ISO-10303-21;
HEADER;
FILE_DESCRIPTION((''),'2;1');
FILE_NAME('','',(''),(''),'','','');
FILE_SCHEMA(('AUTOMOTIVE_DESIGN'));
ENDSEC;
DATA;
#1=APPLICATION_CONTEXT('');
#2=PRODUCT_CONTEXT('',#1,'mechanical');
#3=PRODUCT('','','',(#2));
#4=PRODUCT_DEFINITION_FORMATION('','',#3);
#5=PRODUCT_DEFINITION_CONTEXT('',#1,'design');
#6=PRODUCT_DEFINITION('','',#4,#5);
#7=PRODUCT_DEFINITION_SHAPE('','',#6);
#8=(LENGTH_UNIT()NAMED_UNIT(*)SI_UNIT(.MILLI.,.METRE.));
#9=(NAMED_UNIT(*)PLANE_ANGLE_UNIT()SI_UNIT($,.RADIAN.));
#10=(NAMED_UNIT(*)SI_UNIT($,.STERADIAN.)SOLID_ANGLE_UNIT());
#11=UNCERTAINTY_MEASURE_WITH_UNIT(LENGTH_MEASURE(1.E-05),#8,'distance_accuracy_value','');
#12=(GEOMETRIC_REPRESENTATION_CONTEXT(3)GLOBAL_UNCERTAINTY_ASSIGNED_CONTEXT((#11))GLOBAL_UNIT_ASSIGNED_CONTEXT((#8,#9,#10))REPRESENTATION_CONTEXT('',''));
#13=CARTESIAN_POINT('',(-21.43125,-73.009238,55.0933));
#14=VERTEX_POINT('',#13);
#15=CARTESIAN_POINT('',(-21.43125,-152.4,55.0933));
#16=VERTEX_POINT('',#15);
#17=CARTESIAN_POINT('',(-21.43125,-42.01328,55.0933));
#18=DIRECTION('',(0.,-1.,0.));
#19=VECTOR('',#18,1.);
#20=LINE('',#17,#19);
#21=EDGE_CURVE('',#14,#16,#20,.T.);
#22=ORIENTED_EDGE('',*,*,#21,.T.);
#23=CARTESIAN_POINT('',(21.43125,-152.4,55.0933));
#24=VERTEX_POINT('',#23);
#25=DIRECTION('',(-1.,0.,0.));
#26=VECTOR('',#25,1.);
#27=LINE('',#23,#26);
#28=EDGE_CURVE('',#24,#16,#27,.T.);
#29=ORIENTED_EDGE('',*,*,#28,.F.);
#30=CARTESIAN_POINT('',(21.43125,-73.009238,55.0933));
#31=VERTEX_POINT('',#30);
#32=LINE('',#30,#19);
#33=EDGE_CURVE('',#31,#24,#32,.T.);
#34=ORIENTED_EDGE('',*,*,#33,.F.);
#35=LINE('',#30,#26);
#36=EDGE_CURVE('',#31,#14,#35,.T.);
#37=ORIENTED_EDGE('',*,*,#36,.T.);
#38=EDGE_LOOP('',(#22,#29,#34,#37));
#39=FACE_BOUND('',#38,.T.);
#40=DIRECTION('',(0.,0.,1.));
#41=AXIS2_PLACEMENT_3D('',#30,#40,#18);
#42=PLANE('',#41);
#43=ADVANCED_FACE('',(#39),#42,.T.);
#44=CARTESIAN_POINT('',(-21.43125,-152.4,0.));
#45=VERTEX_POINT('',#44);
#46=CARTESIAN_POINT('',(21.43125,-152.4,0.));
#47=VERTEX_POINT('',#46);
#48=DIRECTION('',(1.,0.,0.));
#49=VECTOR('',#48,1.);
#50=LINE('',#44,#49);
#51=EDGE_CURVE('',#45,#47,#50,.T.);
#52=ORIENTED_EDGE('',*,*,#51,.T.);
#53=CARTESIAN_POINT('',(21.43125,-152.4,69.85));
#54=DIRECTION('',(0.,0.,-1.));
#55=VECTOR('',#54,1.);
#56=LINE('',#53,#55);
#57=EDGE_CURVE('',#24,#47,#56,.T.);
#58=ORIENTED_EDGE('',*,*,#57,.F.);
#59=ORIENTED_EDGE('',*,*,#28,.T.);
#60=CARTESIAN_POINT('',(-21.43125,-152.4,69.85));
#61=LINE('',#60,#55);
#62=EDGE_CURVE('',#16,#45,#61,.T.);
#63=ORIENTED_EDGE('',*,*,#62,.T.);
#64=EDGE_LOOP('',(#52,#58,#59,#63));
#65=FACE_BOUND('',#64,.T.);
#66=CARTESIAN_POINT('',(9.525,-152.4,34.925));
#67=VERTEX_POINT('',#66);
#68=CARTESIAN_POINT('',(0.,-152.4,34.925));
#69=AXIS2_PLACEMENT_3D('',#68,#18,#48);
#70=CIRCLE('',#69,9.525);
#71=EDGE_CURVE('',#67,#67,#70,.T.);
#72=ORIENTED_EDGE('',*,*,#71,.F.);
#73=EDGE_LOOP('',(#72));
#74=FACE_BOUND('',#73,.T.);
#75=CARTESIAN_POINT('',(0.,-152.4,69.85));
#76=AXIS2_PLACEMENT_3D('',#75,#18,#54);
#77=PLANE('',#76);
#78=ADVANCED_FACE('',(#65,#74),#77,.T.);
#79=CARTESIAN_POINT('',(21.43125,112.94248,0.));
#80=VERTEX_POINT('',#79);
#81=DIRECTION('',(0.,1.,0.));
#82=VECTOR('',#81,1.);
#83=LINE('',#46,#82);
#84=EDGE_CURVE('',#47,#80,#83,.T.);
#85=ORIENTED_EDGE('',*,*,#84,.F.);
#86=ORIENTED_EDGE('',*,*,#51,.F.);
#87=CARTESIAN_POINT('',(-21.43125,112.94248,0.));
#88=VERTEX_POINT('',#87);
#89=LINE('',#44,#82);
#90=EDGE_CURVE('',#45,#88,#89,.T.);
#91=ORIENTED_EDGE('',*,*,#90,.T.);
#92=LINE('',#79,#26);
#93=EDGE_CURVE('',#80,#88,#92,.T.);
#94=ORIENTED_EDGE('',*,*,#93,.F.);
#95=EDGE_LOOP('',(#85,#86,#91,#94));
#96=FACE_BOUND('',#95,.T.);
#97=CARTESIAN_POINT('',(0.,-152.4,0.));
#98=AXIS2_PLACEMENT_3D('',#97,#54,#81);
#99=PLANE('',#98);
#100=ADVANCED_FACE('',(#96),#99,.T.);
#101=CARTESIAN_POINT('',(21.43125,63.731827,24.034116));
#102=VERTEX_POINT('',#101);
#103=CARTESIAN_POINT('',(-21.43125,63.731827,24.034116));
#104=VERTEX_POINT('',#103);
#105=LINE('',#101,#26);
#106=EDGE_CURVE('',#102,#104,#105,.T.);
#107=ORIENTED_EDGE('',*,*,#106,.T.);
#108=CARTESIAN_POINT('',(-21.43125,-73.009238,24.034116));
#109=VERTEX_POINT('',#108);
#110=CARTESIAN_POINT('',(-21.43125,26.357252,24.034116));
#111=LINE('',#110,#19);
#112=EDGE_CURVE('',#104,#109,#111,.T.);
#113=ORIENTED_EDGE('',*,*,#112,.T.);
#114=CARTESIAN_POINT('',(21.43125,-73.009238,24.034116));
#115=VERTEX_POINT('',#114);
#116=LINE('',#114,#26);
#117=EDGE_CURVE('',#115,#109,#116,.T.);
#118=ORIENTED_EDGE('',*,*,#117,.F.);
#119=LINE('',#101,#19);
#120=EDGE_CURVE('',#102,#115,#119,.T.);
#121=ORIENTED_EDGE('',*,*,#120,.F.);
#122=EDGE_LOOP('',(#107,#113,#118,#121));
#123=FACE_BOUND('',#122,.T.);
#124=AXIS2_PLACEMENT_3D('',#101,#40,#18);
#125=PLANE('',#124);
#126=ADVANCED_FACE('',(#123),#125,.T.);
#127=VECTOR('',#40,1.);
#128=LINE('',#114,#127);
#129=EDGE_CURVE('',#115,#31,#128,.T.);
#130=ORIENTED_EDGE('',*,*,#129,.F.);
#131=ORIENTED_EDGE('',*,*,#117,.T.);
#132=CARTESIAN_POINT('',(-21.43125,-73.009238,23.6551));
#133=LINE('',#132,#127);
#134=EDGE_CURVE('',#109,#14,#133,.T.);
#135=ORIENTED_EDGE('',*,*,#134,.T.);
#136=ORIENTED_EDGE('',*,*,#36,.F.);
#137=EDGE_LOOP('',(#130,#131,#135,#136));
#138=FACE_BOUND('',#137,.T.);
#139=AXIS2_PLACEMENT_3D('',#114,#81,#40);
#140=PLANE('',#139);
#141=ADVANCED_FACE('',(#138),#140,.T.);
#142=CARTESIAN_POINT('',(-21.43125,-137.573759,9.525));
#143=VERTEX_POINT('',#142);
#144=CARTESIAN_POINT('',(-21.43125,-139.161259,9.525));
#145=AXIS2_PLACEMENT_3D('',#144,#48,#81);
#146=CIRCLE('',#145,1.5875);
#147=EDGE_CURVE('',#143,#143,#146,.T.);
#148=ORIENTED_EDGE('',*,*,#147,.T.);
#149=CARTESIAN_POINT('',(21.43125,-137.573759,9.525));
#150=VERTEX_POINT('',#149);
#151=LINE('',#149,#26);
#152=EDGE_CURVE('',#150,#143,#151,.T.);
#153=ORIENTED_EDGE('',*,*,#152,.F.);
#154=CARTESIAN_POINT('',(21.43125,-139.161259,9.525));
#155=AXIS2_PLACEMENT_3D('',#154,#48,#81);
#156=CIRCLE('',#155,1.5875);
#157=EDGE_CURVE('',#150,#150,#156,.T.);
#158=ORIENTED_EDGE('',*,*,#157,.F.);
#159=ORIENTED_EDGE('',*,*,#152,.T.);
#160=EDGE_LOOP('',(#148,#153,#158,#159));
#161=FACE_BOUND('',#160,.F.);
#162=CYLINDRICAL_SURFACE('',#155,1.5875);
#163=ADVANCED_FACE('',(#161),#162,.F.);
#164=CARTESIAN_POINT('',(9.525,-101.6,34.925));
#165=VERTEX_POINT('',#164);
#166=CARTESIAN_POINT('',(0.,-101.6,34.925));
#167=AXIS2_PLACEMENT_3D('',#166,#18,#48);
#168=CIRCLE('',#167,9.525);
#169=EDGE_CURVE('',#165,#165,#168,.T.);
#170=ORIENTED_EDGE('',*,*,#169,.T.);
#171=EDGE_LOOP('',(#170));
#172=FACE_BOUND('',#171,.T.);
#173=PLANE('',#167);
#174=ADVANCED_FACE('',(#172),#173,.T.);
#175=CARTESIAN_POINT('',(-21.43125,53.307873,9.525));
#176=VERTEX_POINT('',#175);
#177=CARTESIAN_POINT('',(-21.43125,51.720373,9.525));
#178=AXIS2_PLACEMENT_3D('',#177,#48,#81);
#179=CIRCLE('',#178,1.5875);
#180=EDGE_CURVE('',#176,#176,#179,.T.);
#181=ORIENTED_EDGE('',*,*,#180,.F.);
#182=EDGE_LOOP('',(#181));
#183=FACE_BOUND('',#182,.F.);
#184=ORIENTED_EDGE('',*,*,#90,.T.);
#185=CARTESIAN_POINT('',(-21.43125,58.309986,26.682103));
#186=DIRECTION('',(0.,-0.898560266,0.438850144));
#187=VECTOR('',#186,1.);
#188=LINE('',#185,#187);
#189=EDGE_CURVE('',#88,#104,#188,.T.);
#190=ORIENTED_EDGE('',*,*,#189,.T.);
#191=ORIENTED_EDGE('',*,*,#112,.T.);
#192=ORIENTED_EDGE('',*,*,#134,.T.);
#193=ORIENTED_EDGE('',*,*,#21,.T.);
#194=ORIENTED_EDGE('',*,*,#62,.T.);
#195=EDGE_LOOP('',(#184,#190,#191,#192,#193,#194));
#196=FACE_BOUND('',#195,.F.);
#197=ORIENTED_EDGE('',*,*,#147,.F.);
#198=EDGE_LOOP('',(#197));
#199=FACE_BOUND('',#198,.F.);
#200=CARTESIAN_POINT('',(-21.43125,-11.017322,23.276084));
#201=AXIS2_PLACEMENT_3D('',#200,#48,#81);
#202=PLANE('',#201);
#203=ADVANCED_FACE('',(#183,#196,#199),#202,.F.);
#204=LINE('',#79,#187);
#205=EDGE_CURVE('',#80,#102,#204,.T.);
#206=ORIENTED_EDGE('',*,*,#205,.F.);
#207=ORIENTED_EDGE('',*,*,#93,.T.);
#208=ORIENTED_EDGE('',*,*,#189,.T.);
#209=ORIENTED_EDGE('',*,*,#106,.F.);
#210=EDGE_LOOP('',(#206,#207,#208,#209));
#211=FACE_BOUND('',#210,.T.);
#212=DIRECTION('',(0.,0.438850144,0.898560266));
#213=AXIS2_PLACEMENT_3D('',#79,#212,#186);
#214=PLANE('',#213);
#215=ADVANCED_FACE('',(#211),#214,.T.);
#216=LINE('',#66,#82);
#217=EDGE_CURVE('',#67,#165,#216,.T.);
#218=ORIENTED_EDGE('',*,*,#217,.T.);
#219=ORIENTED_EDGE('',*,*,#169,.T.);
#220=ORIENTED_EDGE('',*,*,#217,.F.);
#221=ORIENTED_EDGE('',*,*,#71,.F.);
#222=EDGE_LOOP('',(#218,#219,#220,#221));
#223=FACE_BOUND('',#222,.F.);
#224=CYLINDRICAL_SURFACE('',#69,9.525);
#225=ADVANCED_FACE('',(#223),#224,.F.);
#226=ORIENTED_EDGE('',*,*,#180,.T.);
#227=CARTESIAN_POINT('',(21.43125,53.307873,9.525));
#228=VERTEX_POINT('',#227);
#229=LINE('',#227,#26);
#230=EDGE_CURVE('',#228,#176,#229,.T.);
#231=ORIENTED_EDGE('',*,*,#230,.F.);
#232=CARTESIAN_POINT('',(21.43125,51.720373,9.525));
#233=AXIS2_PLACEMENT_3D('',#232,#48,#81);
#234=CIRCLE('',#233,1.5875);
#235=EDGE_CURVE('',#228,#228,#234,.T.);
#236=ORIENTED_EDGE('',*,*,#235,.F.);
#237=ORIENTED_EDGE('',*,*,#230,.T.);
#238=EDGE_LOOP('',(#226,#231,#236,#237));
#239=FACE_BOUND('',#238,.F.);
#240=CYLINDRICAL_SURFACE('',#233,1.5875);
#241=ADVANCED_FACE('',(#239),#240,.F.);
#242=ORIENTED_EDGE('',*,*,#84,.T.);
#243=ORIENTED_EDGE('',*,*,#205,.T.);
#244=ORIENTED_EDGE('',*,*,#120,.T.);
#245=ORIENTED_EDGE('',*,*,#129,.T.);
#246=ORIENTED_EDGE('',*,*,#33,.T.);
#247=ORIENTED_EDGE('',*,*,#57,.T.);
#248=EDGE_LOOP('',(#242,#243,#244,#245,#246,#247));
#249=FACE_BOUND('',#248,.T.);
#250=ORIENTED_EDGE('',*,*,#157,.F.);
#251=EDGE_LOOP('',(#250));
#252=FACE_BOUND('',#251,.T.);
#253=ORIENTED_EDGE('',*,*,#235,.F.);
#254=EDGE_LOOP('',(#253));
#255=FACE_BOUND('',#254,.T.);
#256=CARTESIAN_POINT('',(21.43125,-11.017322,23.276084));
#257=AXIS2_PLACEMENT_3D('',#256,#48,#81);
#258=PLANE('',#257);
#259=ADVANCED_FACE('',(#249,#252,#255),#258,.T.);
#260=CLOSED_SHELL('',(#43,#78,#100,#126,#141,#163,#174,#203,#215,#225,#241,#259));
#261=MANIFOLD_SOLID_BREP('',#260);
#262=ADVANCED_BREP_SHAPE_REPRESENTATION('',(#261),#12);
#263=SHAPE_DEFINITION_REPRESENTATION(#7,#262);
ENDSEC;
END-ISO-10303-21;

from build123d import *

# Parameters (mm, degrees)
F1_DEPTH = 21.43125
F2_R     = 9.525
F3_DEPTH = 50.8
F4_R     = 1.5875
F5_DEPTH = 42.8635


with BuildPart() as f1:
    # F0 (on Right) → F1 (new body, symmetric)
    with BuildSketch(Plane.YZ):
        Polygon((-152.4, 69.85), (-152.4, 0), (152.4, 0), (152.4, 19.05), align=None)
    extrude(amount=F1_DEPTH, both=True)

    # F2 (on face) → F3 (cut)
    with BuildSketch(Plane.XZ.offset(152.4)):
        with Locations((0, 34.925)):
            Circle(F2_R)
    extrude(amount=-F3_DEPTH, mode=Mode.SUBTRACT)

    # F4 (on face) → F5 (intersect, through all)
    with BuildSketch(Plane.YZ.offset(21.43125)):
        Polygon((-73.0092376471, 55.0932995975), (-152.4, 55.0932995975), (-152.4, 0), (112.9424795508, 0), (63.7318268418, 24.0341164172), (-73.0092376471, 24.0341164172), (-73.0092376471, 37.3451933265), align=None)
        with Locations((-139.1612589359, 9.525)):
            Circle(F4_R, mode=Mode.SUBTRACT)
        with Locations((51.7203733325, 9.525)):
            Circle(F4_R, mode=Mode.SUBTRACT)
    extrude(amount=-F5_DEPTH, mode=Mode.INTERSECT)


solid = f1.part
